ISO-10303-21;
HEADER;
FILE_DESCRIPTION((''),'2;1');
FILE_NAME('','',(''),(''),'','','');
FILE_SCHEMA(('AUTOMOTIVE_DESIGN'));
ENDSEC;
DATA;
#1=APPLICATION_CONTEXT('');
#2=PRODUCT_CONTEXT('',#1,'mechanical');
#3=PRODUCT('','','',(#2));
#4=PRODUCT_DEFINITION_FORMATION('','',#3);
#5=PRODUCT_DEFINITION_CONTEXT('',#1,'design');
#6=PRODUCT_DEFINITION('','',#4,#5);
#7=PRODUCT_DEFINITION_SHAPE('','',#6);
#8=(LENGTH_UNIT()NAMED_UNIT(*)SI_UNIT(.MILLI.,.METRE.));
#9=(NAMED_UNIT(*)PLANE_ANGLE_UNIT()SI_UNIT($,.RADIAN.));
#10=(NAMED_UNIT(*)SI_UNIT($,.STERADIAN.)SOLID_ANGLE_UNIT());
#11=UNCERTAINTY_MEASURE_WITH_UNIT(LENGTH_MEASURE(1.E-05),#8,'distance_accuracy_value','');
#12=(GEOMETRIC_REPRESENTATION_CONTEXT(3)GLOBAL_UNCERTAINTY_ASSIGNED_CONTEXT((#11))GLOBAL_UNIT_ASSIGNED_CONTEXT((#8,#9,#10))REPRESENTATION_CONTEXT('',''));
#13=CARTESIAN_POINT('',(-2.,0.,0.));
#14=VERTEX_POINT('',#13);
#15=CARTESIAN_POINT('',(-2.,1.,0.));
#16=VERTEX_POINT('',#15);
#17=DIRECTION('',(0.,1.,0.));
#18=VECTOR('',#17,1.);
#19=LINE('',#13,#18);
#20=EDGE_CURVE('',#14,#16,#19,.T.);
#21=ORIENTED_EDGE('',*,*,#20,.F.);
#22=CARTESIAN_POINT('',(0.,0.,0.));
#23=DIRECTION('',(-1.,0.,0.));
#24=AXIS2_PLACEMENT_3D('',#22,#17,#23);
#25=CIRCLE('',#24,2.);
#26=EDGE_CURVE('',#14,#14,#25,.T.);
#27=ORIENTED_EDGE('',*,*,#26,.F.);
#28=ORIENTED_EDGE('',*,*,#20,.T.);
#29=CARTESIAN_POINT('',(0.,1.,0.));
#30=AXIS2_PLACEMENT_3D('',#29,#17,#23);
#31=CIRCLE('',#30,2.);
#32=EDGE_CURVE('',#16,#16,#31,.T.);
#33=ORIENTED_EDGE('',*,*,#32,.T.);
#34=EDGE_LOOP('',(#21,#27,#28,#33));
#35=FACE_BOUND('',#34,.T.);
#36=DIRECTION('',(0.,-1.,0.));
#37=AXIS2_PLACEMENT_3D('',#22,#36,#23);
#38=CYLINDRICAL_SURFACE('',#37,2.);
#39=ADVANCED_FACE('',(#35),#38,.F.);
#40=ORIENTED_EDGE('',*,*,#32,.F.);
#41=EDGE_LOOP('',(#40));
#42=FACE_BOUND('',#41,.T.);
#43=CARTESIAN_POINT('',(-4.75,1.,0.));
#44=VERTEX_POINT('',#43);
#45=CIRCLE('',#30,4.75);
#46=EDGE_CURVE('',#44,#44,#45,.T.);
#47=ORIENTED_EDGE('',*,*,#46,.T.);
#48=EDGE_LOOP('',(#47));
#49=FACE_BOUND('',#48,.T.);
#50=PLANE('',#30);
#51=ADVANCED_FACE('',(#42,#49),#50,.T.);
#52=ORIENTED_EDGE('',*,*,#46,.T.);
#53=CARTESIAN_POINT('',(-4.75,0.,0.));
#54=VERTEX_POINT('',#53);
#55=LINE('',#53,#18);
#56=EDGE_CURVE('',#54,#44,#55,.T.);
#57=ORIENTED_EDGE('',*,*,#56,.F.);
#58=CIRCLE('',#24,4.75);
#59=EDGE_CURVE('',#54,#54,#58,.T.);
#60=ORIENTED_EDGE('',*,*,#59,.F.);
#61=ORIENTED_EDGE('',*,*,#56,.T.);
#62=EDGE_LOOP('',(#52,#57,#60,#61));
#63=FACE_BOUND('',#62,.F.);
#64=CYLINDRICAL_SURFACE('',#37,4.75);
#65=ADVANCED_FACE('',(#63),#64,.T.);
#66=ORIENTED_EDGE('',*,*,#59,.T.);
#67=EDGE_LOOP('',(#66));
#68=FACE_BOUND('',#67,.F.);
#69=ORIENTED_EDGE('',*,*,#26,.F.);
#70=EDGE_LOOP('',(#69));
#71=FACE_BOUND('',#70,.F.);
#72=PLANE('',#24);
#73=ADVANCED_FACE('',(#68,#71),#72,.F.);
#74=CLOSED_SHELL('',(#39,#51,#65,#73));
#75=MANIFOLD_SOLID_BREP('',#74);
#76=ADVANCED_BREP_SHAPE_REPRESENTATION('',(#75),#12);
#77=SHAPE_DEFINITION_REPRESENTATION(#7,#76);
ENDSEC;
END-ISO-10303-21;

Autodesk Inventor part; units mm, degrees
ref_plane "YZ Plane" through (0, 0, 0) normal (1, 0, 0) x (0, 1, 0)
ref_plane "XZ Plane" through (0, 0, 0) normal (0, 1, 0) x (-1, 0, 0)
ref_plane "XY Plane" through (0, 0, 0) normal (0, 0, 1) x (1, 0, 0)
sketch "Sketch1" plane through (0, 0, 0) normal (0, 1, 0) x (-1, 0, 0)
  circle A0 centre (0, 0) radius 4.75
  circle A1 centre (0, 0) radius 2
  dimension "d0" = 9.5
  dimension "d1" = 4
extrude "Extrusion1" add sketch "Sketch1" along normal blind 1
properties part number "Arandela_1_8" material "Stainless Steel"
